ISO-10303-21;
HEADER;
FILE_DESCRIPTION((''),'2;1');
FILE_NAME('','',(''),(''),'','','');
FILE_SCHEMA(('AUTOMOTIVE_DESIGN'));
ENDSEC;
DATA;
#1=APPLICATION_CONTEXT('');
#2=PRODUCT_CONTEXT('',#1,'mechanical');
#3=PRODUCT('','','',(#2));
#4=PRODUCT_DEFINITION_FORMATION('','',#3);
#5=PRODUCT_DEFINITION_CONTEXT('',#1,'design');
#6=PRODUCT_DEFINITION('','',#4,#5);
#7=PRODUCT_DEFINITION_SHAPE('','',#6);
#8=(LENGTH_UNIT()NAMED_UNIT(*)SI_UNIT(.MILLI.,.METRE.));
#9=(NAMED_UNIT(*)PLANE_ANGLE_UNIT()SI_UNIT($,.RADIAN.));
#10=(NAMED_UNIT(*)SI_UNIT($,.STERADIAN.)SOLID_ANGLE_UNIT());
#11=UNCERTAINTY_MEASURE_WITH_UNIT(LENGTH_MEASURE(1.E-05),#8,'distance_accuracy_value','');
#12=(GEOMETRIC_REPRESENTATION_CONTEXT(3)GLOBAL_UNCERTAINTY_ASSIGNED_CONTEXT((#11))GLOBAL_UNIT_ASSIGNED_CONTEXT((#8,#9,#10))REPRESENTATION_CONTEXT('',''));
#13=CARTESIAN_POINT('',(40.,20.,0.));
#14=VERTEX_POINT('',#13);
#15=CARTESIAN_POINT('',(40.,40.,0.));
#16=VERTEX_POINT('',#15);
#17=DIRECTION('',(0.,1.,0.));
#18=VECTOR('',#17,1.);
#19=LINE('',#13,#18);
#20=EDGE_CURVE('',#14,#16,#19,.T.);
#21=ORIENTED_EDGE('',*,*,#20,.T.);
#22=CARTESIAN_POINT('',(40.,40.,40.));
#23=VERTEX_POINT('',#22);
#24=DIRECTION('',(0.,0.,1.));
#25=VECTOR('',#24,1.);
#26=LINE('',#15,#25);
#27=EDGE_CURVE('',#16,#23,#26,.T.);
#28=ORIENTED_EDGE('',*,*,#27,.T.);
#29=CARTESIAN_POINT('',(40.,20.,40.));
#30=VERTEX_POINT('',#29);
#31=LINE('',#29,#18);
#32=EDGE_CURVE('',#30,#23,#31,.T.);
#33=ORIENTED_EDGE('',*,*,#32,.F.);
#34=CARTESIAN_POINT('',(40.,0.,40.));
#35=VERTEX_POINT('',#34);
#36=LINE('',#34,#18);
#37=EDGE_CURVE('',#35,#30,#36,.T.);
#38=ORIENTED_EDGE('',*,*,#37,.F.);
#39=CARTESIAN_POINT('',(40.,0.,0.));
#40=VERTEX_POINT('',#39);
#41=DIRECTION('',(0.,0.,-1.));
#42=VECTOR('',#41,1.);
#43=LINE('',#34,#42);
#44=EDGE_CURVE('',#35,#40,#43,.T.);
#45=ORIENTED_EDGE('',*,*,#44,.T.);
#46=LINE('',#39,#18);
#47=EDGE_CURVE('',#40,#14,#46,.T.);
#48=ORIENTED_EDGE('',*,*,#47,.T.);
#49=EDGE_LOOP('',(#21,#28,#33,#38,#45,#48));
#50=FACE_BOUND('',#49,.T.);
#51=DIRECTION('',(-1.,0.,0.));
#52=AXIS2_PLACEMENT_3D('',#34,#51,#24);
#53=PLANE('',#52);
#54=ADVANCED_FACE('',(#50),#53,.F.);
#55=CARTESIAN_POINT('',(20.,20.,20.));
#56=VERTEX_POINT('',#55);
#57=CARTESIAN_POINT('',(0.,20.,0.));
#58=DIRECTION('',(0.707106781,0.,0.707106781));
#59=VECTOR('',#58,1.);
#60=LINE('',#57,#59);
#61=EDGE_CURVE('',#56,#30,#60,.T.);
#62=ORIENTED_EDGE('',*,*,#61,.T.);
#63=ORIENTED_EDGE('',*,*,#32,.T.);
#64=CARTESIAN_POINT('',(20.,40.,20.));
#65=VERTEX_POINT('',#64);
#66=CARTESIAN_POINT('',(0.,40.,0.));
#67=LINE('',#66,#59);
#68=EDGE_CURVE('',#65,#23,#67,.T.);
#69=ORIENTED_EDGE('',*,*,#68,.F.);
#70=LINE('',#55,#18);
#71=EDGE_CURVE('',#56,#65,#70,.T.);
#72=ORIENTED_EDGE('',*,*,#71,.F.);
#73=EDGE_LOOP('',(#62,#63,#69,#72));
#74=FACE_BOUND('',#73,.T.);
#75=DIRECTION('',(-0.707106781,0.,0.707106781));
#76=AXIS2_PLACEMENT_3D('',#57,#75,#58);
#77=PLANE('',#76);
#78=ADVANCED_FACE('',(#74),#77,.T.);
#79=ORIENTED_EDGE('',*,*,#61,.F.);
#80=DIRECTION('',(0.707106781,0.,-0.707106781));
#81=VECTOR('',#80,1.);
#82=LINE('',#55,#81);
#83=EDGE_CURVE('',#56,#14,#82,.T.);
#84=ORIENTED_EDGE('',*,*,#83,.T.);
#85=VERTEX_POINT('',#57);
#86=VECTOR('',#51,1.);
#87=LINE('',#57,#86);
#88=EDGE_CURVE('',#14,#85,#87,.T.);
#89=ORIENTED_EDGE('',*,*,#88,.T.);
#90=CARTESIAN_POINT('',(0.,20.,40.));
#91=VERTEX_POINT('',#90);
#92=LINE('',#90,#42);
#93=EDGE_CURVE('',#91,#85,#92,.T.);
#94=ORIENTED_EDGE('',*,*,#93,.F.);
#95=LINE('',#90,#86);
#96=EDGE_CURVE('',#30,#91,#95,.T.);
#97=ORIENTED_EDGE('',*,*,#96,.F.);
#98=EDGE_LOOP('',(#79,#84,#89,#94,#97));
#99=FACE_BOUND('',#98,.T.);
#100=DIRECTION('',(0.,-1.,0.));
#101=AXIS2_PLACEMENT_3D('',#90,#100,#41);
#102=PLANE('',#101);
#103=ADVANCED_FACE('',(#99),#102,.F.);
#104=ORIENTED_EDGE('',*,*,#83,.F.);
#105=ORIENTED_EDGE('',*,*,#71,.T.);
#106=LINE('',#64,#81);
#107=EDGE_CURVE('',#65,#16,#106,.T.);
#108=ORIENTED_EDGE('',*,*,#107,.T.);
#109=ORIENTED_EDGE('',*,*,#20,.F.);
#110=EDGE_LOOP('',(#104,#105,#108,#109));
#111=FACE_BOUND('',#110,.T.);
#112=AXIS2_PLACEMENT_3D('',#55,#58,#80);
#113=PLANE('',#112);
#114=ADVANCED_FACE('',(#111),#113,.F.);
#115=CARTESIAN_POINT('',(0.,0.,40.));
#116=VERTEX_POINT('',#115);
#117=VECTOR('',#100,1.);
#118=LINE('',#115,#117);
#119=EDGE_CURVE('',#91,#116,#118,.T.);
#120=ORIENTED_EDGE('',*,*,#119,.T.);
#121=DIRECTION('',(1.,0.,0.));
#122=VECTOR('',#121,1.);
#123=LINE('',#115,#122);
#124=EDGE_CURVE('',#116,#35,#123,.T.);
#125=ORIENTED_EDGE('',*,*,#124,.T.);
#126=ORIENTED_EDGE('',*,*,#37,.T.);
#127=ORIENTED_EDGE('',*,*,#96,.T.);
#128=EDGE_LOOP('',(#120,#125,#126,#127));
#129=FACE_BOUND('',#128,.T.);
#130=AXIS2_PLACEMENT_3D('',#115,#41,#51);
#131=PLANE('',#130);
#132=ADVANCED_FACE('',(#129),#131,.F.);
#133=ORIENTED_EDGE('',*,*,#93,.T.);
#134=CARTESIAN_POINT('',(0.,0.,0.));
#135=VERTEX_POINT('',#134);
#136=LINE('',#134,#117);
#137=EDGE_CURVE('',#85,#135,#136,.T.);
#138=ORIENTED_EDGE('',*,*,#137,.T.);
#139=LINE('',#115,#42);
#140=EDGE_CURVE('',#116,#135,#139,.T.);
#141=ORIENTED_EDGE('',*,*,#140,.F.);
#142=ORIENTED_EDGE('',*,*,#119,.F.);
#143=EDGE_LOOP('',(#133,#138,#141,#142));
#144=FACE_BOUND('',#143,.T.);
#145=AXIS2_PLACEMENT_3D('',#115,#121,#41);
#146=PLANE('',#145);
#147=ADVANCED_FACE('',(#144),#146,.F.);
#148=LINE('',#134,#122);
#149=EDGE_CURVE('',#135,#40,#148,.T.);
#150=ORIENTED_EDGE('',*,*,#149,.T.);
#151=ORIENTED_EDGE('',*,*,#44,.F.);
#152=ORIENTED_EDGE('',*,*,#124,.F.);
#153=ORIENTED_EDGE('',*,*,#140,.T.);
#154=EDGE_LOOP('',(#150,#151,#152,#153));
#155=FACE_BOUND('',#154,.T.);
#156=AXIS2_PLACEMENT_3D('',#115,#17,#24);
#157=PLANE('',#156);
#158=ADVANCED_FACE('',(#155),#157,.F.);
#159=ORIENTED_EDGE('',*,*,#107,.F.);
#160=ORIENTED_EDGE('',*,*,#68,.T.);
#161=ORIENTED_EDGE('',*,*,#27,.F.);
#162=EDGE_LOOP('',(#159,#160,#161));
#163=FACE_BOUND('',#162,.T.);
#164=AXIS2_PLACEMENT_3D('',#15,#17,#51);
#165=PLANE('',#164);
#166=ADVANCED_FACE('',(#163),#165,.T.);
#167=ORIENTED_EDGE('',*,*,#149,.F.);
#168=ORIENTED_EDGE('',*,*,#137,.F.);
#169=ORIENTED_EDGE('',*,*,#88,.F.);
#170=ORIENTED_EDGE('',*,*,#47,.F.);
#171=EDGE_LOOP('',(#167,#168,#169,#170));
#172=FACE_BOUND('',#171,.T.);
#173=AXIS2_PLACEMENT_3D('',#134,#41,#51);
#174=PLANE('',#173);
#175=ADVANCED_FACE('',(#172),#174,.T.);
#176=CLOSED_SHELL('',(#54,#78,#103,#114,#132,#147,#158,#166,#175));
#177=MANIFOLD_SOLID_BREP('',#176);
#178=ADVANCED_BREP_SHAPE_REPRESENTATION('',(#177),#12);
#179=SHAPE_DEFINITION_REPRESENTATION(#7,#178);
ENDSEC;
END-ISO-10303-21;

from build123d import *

# Parameters (mm, degrees)
SKETCH1_W           = 40
SKETCH1_H           = 20
BOSS_EXTRUDE1_DEPTH = 40
SKETCH2_W           = 20
SKETCH2_H           = 20
BOSS_EXTRUDE2_DEPTH = 40
CUT_EXTRUDE1_DEPTH  = 20


with BuildPart() as part:
    # Sketch1 → Boss-Extrude1 (new body)
    with BuildSketch(Plane.XY):
        with Locations((20, 10)):
            Rectangle(SKETCH1_W, SKETCH1_H)
    extrude(amount=BOSS_EXTRUDE1_DEPTH)

    # Sketch2 → Boss-Extrude2 (add)
    with BuildSketch(Plane.XY.offset(40)):
        with Locations((30, 30)):
            Rectangle(SKETCH2_W, SKETCH2_H)
    extrude(amount=-BOSS_EXTRUDE2_DEPTH)

    # Sketch3 → Cut-Extrude1 (cut)
    with BuildSketch(Plane(origin=(0, 40, 0), x_dir=(1, 0, 0), z_dir=(0, 1, 0))):
        Polygon((20, 0), (20, -20), (40, 0), align=None)
        Polygon((40, -40), (20, -20), (20, -40), align=None)
    extrude(amount=-CUT_EXTRUDE1_DEPTH, mode=Mode.SUBTRACT)


solid = part.part
